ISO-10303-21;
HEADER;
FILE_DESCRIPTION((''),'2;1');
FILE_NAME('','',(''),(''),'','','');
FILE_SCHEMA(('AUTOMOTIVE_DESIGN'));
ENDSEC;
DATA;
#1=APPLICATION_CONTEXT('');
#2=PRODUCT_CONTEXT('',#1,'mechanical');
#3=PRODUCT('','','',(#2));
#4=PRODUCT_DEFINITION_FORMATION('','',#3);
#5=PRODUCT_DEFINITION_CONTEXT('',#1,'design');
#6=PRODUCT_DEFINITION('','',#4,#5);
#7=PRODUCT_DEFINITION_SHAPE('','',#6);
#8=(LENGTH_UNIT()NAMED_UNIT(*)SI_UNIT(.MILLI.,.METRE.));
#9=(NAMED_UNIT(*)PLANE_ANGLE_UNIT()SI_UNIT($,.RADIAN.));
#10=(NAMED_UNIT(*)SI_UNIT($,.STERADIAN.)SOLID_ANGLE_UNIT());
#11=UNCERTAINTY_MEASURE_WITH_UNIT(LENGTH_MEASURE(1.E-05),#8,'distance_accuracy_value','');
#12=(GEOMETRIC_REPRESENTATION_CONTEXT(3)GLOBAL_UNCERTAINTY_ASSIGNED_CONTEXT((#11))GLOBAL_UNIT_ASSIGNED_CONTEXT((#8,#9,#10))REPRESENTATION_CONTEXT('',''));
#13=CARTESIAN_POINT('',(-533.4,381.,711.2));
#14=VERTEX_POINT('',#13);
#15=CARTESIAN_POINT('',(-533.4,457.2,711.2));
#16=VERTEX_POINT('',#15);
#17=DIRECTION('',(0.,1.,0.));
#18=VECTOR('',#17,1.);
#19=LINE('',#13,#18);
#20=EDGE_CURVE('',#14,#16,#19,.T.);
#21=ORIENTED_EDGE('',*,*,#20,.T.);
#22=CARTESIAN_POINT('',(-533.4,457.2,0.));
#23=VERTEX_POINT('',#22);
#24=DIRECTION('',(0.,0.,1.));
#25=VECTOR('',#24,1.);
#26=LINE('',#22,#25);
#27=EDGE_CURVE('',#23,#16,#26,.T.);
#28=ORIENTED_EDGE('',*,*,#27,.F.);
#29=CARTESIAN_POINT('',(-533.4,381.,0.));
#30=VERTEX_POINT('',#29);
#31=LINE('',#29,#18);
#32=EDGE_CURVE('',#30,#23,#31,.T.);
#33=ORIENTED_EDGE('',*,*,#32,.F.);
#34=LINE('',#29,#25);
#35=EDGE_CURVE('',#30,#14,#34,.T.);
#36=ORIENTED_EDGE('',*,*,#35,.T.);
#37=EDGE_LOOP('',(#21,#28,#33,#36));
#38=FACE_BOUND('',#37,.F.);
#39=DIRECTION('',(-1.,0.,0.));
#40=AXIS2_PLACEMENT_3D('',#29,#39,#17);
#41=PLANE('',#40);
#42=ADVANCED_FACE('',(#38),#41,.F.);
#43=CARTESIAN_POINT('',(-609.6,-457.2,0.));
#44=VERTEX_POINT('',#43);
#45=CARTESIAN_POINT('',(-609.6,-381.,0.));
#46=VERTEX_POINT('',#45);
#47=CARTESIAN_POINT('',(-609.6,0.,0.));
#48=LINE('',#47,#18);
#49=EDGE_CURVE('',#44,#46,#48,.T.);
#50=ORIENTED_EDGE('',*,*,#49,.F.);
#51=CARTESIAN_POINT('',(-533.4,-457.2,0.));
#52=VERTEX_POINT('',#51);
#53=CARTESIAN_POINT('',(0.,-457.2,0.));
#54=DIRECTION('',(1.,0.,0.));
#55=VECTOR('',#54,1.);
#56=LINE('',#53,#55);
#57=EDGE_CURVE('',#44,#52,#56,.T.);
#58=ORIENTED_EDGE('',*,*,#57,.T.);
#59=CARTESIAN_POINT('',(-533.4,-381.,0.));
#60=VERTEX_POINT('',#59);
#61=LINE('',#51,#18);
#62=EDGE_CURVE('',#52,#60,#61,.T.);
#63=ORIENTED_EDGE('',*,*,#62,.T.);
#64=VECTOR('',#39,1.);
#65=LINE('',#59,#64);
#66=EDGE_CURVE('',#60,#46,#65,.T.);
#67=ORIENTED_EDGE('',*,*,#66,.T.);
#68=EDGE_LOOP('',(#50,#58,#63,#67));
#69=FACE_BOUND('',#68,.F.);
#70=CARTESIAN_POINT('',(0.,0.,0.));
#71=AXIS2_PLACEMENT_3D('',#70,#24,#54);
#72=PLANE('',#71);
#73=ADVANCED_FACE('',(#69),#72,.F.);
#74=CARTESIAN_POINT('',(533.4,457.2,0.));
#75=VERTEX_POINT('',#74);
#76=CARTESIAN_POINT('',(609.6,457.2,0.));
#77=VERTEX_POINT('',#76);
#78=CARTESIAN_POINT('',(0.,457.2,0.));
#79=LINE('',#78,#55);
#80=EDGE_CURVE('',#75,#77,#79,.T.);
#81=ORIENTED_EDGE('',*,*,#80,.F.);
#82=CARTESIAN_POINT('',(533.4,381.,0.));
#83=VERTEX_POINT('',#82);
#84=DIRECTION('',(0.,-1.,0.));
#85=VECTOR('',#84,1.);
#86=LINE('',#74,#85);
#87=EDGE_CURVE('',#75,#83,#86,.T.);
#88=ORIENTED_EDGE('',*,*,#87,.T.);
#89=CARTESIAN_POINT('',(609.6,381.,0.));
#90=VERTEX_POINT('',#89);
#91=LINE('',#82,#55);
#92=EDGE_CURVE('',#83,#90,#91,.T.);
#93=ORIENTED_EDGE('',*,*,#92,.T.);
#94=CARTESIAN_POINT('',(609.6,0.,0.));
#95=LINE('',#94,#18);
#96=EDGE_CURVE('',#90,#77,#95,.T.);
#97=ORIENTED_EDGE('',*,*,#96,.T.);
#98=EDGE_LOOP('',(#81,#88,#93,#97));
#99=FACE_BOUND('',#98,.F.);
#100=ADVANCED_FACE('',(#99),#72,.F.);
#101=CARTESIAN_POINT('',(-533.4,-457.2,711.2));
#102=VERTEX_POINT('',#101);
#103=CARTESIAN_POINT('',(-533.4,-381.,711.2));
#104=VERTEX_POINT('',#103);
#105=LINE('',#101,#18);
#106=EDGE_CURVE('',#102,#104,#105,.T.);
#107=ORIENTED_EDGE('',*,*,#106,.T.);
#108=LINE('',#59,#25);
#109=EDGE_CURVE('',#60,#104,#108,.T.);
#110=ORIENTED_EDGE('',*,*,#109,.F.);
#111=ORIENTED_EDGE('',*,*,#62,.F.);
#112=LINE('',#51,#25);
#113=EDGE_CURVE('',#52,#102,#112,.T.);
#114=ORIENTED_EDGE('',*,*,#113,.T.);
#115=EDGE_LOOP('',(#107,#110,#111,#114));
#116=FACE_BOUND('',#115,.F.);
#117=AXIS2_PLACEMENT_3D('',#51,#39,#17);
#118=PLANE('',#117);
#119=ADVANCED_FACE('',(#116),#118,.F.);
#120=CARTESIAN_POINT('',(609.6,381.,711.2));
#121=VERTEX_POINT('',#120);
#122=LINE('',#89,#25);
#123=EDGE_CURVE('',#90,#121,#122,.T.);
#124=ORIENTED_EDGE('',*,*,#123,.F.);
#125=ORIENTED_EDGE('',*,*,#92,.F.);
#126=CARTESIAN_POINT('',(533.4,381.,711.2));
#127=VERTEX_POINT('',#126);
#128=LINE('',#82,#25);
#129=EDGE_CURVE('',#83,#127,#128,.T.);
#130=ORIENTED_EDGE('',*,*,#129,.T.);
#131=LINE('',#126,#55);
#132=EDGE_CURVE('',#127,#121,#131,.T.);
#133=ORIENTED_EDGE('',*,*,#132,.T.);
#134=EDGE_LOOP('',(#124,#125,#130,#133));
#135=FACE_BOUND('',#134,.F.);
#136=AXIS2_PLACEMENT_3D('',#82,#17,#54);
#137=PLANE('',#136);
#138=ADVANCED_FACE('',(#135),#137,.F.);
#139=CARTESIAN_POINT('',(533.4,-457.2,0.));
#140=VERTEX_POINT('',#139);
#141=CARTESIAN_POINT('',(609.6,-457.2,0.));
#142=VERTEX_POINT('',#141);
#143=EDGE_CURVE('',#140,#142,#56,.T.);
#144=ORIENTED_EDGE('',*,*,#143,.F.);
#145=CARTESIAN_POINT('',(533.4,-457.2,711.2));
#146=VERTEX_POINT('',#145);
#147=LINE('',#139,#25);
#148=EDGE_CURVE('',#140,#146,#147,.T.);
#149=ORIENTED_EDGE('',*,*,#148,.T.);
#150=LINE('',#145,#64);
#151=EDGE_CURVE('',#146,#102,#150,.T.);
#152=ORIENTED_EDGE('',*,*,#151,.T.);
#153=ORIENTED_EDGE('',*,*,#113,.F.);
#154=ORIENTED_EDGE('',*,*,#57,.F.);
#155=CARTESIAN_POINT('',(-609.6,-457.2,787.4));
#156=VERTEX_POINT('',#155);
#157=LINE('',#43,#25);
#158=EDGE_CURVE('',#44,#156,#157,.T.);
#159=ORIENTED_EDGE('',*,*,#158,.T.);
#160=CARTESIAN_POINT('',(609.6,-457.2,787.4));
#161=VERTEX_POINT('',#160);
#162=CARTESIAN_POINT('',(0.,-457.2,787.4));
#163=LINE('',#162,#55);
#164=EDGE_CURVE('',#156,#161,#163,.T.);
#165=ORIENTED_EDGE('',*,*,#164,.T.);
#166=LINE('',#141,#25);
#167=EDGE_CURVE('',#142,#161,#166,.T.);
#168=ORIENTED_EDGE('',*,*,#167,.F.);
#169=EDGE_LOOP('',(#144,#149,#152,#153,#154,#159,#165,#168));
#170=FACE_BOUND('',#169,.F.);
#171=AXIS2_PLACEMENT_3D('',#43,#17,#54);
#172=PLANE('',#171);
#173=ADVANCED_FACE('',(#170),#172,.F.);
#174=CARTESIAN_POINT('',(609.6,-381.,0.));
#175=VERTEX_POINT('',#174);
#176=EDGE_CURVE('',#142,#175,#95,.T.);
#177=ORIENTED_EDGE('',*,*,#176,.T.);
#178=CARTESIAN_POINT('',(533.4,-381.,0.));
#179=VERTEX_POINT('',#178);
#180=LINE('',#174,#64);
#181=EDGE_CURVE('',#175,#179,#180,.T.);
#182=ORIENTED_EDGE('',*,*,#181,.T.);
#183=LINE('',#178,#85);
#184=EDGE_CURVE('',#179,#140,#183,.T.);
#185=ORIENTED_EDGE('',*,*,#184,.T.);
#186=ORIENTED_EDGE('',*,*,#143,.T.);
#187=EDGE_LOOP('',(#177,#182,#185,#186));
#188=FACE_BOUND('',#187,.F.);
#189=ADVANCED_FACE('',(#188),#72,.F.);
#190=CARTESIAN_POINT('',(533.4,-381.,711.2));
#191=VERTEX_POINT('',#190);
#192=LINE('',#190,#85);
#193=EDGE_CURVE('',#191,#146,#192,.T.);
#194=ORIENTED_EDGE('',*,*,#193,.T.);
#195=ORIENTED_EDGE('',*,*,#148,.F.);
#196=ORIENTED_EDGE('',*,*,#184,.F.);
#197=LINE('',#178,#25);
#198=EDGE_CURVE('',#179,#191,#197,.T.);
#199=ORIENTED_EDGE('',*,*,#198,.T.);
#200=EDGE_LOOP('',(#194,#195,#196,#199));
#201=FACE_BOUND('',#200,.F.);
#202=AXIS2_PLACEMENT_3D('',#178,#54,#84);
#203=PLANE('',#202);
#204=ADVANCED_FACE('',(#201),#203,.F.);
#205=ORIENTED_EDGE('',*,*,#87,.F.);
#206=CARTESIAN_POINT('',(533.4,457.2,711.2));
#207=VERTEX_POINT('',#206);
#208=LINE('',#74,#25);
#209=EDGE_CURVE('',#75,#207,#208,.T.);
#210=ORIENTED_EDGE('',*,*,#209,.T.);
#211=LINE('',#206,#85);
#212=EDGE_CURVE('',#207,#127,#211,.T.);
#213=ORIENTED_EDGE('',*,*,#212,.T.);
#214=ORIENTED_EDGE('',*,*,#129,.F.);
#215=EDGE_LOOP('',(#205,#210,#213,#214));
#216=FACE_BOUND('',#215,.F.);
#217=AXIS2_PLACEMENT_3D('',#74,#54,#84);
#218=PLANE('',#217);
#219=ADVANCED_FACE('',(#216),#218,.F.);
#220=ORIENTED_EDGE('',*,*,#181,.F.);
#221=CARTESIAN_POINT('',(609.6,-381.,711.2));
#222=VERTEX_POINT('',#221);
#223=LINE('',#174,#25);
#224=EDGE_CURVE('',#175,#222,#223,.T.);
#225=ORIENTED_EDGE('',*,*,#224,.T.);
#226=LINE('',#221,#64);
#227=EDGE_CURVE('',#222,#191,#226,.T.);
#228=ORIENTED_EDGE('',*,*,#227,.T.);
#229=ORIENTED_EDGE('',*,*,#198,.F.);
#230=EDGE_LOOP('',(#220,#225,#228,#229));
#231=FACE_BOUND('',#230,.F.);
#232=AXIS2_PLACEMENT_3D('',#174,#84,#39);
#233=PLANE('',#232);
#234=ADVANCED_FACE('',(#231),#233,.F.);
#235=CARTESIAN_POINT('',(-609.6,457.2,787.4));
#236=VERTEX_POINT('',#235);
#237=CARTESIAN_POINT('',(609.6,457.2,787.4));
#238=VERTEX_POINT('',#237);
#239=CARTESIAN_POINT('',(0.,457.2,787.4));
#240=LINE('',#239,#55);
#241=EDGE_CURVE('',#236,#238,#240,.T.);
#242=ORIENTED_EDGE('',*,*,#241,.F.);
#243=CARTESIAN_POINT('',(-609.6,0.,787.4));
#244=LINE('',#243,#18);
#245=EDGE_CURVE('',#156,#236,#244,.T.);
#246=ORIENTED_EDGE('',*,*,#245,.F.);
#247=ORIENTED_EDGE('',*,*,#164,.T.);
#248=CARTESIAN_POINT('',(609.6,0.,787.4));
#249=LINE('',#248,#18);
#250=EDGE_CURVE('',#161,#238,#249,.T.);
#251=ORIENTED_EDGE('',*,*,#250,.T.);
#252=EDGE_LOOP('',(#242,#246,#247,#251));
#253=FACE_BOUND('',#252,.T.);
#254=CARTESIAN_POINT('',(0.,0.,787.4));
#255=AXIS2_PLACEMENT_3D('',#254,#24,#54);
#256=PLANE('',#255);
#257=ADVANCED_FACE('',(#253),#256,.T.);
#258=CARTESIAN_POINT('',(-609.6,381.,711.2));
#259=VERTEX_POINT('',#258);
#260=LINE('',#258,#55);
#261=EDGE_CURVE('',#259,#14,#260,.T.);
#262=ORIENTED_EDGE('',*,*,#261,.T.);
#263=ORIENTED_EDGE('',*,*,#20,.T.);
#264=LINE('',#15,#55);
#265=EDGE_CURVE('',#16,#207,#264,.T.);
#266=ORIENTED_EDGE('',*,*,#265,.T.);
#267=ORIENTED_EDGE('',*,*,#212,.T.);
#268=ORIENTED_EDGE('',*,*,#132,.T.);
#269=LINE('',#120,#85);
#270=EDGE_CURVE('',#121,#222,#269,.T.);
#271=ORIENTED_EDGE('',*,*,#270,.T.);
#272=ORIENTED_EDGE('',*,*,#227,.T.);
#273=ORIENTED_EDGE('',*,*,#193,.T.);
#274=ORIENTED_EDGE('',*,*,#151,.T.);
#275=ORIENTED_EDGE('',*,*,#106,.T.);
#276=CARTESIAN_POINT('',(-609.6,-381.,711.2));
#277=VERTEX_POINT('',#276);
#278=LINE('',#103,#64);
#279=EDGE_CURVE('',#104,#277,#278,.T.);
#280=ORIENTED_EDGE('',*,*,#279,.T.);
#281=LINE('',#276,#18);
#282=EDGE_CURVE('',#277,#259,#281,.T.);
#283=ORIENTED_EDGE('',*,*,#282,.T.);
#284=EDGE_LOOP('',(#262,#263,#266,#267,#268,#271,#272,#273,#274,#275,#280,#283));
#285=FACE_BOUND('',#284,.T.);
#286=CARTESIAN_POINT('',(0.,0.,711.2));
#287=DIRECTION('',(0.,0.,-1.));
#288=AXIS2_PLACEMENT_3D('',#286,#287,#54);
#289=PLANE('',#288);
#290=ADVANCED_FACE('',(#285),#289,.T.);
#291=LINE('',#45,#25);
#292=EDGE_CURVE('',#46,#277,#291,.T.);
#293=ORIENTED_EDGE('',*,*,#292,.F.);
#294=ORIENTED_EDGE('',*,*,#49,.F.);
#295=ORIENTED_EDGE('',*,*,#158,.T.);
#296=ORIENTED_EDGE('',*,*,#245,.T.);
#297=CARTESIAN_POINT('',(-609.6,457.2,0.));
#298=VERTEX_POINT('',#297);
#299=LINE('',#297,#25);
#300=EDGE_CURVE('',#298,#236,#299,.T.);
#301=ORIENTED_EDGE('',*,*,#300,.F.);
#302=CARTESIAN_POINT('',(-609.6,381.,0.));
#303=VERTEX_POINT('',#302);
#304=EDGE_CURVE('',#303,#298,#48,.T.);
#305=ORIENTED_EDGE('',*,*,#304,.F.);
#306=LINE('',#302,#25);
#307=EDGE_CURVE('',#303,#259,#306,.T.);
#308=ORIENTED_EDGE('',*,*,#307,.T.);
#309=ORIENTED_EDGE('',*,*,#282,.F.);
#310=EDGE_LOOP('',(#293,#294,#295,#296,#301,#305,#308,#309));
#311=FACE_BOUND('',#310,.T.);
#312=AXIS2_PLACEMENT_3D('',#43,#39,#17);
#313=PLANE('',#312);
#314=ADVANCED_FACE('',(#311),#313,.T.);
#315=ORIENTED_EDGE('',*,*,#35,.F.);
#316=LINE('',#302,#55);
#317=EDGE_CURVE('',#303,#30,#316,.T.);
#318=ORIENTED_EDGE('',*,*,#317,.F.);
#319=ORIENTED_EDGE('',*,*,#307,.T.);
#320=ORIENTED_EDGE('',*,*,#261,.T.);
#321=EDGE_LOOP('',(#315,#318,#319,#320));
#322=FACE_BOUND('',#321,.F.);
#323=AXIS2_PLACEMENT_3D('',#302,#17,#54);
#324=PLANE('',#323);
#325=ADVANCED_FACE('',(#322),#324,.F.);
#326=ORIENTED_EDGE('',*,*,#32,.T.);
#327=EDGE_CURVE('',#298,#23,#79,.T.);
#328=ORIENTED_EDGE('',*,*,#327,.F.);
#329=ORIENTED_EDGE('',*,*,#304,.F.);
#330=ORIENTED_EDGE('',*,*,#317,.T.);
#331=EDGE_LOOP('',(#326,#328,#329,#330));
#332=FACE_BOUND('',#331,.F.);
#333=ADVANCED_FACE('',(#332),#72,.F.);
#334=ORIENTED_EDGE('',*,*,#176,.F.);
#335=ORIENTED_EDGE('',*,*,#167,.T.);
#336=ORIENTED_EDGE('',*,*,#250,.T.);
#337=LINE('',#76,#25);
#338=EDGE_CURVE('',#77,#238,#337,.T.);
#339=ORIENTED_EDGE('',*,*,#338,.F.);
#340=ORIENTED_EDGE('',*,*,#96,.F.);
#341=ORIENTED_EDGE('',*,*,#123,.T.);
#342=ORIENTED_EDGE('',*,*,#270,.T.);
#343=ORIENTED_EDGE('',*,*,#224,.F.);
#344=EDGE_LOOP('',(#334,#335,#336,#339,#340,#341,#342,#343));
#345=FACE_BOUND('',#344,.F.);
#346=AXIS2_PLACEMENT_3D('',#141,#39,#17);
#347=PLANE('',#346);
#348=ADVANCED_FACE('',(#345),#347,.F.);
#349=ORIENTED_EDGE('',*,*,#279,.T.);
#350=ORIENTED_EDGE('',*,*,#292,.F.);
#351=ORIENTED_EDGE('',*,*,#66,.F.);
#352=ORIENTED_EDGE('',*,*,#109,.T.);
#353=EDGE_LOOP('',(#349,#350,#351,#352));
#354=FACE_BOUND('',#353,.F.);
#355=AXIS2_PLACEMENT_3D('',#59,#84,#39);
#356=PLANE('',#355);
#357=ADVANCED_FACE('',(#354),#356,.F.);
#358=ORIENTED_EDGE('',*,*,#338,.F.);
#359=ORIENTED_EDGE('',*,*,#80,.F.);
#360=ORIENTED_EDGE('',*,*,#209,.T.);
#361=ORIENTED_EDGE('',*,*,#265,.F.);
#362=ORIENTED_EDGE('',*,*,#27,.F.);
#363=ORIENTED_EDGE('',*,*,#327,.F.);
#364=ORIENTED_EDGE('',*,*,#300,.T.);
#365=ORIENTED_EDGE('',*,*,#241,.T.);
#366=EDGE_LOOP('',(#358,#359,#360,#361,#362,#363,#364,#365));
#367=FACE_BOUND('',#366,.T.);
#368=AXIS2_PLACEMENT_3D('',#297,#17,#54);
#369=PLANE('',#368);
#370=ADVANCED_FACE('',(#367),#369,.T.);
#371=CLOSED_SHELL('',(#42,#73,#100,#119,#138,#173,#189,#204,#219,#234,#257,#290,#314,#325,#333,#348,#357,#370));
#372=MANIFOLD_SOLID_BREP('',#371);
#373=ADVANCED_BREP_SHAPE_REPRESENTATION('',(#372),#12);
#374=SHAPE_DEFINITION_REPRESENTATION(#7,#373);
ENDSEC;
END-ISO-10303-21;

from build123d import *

# Parameters (mm, degrees)
F0_W     = 1219.2
F0_H     = 914.4
F1_DEPTH = 787.4
F3_DEPTH = 711.2


with BuildPart() as f1:
    # F0 (on Top) → F1 (new body)
    with BuildSketch(Plane.XY):
        Rectangle(F0_W, F0_H)
    extrude(amount=F1_DEPTH)

    # F2 (on face) → F3 (cut)
    with BuildSketch(Plane(origin=(0, 0, 0), x_dir=(1, 0, 0), z_dir=(0, 0, -1))):
        Polygon((533.4, 457.2), (-533.4, 457.2), (-533.4, 381), (-609.6, 381), (-609.6, -381), (-533.4, -381), (-533.4, -457.2), (533.4, -457.2), (533.4, -381), (609.6, -381), (609.6, 381), (533.4, 381), align=None)
    extrude(amount=-F3_DEPTH, mode=Mode.SUBTRACT)


solid = f1.part
